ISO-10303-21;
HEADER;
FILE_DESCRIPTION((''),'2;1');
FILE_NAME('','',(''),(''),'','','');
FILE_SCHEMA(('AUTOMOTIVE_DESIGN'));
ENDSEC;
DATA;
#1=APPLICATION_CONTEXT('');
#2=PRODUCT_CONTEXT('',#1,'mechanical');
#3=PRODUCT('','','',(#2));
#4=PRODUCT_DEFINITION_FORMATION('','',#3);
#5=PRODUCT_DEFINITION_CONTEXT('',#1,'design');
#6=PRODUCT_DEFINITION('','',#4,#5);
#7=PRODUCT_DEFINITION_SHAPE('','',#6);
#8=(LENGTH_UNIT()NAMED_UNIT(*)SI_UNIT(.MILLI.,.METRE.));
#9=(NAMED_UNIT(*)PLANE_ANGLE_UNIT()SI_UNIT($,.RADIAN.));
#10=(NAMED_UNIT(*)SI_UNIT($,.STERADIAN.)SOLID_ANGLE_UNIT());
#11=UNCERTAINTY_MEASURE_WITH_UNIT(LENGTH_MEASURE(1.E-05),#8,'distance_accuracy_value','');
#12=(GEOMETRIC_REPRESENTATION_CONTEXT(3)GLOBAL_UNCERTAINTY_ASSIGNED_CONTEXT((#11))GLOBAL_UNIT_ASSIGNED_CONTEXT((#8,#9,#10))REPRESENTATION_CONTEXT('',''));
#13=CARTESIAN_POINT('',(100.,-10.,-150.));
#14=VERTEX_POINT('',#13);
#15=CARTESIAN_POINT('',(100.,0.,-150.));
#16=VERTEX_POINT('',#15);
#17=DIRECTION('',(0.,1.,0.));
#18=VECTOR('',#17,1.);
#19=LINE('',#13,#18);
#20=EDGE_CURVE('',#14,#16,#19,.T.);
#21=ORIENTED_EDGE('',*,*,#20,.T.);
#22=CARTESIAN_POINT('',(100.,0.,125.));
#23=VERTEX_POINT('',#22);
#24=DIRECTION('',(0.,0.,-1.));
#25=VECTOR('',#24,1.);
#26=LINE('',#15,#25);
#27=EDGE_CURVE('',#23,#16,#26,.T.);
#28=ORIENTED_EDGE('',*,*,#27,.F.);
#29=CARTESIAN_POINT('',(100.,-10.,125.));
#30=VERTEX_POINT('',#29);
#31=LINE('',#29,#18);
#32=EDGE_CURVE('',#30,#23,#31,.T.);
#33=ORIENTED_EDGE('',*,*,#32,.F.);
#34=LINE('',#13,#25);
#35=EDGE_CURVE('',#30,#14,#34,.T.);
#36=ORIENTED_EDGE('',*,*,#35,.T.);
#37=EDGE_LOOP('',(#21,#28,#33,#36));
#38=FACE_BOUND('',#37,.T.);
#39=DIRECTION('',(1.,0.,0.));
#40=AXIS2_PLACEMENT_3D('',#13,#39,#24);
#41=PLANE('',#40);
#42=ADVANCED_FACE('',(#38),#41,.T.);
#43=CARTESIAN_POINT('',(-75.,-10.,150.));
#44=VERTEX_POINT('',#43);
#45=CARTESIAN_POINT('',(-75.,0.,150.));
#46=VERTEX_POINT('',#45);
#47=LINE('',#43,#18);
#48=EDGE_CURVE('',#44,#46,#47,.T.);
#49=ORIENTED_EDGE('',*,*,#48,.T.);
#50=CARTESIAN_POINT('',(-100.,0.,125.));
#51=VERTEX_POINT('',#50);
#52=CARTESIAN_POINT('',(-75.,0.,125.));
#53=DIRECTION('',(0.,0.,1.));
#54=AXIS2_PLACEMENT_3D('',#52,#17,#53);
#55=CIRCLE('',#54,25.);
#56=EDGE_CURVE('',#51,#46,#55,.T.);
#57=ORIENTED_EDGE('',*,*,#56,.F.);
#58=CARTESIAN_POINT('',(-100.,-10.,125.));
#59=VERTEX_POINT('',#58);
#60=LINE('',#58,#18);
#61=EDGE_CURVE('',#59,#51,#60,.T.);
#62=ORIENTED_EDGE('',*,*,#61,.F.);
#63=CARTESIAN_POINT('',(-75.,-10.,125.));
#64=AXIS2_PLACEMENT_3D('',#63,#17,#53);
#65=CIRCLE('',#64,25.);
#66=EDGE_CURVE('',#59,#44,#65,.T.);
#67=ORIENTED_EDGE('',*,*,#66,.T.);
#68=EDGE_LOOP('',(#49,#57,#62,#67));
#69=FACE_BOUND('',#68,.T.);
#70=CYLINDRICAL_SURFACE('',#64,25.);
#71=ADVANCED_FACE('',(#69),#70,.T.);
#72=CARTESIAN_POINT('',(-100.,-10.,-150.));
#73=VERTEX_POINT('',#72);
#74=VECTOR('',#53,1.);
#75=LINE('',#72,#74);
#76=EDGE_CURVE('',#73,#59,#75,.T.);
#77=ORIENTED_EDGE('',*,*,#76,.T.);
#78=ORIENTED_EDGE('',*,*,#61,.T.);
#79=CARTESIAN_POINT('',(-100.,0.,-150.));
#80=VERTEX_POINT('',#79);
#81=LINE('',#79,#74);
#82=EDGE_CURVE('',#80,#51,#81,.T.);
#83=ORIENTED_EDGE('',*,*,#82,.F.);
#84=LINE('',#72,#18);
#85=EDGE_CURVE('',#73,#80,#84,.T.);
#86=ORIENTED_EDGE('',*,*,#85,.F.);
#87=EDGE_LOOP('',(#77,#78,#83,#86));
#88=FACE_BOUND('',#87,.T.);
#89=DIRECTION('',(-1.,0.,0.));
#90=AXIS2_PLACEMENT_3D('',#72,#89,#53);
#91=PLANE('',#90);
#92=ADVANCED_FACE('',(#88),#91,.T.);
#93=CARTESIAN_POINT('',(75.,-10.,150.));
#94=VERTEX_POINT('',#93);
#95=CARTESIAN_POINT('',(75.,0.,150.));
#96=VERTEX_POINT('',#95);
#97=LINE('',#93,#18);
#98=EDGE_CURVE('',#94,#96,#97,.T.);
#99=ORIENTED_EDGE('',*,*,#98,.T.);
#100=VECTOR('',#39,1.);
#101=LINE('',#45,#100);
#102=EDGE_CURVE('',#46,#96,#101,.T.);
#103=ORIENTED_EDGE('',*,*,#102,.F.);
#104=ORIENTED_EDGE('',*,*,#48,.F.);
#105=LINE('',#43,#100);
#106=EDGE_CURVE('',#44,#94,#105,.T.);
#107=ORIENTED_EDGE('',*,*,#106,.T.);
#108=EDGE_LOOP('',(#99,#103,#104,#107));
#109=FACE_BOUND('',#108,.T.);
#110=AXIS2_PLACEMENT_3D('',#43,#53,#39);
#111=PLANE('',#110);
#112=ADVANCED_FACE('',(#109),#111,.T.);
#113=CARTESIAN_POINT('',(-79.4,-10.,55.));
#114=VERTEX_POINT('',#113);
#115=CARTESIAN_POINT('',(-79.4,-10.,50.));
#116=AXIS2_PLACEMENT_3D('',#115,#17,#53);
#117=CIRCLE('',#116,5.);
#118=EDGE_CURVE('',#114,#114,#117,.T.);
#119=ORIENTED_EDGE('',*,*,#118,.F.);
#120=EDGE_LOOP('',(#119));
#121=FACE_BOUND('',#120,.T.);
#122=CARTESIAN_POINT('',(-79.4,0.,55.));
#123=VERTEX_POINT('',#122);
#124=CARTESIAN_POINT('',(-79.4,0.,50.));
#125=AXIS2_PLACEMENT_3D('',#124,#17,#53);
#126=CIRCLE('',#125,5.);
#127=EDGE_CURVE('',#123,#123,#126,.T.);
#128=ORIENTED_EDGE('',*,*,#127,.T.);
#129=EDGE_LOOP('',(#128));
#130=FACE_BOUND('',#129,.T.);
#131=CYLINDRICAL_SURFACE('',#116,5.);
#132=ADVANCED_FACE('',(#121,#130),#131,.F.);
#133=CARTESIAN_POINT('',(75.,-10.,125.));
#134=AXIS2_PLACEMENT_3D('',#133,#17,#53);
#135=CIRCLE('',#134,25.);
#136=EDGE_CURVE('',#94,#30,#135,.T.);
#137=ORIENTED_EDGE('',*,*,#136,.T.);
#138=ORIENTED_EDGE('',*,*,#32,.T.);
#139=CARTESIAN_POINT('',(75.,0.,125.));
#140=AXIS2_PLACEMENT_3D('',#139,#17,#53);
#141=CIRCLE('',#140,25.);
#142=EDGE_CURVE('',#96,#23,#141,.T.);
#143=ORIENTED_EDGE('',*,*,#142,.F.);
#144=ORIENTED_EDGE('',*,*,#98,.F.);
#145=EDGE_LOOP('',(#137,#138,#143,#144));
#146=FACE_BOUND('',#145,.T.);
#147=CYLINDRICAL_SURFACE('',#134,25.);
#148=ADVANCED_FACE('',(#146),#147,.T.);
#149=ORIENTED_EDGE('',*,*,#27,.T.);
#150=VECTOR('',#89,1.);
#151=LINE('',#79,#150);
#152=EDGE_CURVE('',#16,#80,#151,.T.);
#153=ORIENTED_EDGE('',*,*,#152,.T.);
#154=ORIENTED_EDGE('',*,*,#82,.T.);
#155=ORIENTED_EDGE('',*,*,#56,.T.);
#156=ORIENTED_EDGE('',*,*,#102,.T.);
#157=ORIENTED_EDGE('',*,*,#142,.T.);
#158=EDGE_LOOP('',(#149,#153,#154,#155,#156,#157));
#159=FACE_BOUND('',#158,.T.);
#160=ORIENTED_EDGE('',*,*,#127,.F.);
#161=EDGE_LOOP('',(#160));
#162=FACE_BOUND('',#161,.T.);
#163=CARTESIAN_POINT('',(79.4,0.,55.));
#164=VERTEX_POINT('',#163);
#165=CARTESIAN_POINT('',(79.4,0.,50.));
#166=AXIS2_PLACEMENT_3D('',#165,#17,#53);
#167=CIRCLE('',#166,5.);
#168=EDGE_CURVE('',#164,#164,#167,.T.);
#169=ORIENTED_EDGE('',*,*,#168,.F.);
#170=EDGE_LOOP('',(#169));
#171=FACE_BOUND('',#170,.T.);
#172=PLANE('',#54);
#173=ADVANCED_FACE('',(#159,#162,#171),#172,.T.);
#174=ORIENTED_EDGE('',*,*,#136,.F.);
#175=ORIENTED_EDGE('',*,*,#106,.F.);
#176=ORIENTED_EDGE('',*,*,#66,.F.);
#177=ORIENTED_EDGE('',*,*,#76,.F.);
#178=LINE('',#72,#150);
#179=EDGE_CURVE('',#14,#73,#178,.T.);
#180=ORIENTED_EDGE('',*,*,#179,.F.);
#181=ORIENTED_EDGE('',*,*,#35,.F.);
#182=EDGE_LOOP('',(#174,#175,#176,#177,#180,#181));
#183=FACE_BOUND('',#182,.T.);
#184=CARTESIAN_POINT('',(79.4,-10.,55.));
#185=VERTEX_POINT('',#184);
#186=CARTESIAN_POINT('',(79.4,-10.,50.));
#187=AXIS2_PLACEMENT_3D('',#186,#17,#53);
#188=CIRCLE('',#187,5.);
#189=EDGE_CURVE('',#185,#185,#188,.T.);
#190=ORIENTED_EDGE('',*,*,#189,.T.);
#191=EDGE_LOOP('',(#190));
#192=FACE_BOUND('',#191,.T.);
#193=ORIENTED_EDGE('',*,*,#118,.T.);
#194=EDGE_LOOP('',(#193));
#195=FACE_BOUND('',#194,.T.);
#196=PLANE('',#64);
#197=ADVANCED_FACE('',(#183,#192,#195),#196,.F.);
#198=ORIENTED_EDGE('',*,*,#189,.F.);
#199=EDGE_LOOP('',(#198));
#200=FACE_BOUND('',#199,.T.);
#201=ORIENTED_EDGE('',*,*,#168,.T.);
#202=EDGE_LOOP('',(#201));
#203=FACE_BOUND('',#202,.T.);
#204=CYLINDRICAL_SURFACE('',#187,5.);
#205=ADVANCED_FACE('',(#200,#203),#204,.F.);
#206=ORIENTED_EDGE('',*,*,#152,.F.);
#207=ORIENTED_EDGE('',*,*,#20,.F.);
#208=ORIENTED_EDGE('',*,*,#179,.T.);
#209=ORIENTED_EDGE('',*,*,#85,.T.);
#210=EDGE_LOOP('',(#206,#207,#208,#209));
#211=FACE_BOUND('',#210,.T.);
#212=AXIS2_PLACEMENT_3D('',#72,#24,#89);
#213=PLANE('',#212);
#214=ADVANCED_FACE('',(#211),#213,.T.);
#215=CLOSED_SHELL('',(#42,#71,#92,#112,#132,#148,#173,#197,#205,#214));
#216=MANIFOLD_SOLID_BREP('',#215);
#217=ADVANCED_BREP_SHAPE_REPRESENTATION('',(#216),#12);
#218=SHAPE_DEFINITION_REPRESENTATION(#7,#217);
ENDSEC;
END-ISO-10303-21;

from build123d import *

# Parameters (mm, degrees)
BOSS_EXTRUDE1_DEPTH = 10
SKETCH2_R           = 5
CUT_EXTRUDE1_DEPTH  = 11


with BuildPart() as part:
    # Sketch1 → Boss-Extrude1 (new body)
    with BuildSketch(Plane(origin=(0, 0, 0), x_dir=(1, 0, 0), z_dir=(0, 1, 0))):
        with BuildLine():
            Line((-100, 150), (100, 150))
            Line((100, 150), (100, -125))
            ThreePointArc((100, -125), (92.67766953, -142.67766953), (75, -150))
            Line((75, -150), (-75, -150))
            ThreePointArc((-75, -150), (-92.67766953, -142.67766953), (-100, -125))
            Line((-100, -125), (-100, 150))
        make_face()
    extrude(amount=-BOSS_EXTRUDE1_DEPTH)

    # Sketch2 → Cut-Extrude1 (cut, through all)
    with BuildSketch(Plane(origin=(0, 0, 0), x_dir=(1, 0, 0), z_dir=(0, 1, 0))):
        with Locations((-79.4, -50)):
            Circle(SKETCH2_R)
        with Locations((79.4, -50)):
            Circle(SKETCH2_R)
    extrude(amount=-CUT_EXTRUDE1_DEPTH, mode=Mode.SUBTRACT)


solid = part.part
